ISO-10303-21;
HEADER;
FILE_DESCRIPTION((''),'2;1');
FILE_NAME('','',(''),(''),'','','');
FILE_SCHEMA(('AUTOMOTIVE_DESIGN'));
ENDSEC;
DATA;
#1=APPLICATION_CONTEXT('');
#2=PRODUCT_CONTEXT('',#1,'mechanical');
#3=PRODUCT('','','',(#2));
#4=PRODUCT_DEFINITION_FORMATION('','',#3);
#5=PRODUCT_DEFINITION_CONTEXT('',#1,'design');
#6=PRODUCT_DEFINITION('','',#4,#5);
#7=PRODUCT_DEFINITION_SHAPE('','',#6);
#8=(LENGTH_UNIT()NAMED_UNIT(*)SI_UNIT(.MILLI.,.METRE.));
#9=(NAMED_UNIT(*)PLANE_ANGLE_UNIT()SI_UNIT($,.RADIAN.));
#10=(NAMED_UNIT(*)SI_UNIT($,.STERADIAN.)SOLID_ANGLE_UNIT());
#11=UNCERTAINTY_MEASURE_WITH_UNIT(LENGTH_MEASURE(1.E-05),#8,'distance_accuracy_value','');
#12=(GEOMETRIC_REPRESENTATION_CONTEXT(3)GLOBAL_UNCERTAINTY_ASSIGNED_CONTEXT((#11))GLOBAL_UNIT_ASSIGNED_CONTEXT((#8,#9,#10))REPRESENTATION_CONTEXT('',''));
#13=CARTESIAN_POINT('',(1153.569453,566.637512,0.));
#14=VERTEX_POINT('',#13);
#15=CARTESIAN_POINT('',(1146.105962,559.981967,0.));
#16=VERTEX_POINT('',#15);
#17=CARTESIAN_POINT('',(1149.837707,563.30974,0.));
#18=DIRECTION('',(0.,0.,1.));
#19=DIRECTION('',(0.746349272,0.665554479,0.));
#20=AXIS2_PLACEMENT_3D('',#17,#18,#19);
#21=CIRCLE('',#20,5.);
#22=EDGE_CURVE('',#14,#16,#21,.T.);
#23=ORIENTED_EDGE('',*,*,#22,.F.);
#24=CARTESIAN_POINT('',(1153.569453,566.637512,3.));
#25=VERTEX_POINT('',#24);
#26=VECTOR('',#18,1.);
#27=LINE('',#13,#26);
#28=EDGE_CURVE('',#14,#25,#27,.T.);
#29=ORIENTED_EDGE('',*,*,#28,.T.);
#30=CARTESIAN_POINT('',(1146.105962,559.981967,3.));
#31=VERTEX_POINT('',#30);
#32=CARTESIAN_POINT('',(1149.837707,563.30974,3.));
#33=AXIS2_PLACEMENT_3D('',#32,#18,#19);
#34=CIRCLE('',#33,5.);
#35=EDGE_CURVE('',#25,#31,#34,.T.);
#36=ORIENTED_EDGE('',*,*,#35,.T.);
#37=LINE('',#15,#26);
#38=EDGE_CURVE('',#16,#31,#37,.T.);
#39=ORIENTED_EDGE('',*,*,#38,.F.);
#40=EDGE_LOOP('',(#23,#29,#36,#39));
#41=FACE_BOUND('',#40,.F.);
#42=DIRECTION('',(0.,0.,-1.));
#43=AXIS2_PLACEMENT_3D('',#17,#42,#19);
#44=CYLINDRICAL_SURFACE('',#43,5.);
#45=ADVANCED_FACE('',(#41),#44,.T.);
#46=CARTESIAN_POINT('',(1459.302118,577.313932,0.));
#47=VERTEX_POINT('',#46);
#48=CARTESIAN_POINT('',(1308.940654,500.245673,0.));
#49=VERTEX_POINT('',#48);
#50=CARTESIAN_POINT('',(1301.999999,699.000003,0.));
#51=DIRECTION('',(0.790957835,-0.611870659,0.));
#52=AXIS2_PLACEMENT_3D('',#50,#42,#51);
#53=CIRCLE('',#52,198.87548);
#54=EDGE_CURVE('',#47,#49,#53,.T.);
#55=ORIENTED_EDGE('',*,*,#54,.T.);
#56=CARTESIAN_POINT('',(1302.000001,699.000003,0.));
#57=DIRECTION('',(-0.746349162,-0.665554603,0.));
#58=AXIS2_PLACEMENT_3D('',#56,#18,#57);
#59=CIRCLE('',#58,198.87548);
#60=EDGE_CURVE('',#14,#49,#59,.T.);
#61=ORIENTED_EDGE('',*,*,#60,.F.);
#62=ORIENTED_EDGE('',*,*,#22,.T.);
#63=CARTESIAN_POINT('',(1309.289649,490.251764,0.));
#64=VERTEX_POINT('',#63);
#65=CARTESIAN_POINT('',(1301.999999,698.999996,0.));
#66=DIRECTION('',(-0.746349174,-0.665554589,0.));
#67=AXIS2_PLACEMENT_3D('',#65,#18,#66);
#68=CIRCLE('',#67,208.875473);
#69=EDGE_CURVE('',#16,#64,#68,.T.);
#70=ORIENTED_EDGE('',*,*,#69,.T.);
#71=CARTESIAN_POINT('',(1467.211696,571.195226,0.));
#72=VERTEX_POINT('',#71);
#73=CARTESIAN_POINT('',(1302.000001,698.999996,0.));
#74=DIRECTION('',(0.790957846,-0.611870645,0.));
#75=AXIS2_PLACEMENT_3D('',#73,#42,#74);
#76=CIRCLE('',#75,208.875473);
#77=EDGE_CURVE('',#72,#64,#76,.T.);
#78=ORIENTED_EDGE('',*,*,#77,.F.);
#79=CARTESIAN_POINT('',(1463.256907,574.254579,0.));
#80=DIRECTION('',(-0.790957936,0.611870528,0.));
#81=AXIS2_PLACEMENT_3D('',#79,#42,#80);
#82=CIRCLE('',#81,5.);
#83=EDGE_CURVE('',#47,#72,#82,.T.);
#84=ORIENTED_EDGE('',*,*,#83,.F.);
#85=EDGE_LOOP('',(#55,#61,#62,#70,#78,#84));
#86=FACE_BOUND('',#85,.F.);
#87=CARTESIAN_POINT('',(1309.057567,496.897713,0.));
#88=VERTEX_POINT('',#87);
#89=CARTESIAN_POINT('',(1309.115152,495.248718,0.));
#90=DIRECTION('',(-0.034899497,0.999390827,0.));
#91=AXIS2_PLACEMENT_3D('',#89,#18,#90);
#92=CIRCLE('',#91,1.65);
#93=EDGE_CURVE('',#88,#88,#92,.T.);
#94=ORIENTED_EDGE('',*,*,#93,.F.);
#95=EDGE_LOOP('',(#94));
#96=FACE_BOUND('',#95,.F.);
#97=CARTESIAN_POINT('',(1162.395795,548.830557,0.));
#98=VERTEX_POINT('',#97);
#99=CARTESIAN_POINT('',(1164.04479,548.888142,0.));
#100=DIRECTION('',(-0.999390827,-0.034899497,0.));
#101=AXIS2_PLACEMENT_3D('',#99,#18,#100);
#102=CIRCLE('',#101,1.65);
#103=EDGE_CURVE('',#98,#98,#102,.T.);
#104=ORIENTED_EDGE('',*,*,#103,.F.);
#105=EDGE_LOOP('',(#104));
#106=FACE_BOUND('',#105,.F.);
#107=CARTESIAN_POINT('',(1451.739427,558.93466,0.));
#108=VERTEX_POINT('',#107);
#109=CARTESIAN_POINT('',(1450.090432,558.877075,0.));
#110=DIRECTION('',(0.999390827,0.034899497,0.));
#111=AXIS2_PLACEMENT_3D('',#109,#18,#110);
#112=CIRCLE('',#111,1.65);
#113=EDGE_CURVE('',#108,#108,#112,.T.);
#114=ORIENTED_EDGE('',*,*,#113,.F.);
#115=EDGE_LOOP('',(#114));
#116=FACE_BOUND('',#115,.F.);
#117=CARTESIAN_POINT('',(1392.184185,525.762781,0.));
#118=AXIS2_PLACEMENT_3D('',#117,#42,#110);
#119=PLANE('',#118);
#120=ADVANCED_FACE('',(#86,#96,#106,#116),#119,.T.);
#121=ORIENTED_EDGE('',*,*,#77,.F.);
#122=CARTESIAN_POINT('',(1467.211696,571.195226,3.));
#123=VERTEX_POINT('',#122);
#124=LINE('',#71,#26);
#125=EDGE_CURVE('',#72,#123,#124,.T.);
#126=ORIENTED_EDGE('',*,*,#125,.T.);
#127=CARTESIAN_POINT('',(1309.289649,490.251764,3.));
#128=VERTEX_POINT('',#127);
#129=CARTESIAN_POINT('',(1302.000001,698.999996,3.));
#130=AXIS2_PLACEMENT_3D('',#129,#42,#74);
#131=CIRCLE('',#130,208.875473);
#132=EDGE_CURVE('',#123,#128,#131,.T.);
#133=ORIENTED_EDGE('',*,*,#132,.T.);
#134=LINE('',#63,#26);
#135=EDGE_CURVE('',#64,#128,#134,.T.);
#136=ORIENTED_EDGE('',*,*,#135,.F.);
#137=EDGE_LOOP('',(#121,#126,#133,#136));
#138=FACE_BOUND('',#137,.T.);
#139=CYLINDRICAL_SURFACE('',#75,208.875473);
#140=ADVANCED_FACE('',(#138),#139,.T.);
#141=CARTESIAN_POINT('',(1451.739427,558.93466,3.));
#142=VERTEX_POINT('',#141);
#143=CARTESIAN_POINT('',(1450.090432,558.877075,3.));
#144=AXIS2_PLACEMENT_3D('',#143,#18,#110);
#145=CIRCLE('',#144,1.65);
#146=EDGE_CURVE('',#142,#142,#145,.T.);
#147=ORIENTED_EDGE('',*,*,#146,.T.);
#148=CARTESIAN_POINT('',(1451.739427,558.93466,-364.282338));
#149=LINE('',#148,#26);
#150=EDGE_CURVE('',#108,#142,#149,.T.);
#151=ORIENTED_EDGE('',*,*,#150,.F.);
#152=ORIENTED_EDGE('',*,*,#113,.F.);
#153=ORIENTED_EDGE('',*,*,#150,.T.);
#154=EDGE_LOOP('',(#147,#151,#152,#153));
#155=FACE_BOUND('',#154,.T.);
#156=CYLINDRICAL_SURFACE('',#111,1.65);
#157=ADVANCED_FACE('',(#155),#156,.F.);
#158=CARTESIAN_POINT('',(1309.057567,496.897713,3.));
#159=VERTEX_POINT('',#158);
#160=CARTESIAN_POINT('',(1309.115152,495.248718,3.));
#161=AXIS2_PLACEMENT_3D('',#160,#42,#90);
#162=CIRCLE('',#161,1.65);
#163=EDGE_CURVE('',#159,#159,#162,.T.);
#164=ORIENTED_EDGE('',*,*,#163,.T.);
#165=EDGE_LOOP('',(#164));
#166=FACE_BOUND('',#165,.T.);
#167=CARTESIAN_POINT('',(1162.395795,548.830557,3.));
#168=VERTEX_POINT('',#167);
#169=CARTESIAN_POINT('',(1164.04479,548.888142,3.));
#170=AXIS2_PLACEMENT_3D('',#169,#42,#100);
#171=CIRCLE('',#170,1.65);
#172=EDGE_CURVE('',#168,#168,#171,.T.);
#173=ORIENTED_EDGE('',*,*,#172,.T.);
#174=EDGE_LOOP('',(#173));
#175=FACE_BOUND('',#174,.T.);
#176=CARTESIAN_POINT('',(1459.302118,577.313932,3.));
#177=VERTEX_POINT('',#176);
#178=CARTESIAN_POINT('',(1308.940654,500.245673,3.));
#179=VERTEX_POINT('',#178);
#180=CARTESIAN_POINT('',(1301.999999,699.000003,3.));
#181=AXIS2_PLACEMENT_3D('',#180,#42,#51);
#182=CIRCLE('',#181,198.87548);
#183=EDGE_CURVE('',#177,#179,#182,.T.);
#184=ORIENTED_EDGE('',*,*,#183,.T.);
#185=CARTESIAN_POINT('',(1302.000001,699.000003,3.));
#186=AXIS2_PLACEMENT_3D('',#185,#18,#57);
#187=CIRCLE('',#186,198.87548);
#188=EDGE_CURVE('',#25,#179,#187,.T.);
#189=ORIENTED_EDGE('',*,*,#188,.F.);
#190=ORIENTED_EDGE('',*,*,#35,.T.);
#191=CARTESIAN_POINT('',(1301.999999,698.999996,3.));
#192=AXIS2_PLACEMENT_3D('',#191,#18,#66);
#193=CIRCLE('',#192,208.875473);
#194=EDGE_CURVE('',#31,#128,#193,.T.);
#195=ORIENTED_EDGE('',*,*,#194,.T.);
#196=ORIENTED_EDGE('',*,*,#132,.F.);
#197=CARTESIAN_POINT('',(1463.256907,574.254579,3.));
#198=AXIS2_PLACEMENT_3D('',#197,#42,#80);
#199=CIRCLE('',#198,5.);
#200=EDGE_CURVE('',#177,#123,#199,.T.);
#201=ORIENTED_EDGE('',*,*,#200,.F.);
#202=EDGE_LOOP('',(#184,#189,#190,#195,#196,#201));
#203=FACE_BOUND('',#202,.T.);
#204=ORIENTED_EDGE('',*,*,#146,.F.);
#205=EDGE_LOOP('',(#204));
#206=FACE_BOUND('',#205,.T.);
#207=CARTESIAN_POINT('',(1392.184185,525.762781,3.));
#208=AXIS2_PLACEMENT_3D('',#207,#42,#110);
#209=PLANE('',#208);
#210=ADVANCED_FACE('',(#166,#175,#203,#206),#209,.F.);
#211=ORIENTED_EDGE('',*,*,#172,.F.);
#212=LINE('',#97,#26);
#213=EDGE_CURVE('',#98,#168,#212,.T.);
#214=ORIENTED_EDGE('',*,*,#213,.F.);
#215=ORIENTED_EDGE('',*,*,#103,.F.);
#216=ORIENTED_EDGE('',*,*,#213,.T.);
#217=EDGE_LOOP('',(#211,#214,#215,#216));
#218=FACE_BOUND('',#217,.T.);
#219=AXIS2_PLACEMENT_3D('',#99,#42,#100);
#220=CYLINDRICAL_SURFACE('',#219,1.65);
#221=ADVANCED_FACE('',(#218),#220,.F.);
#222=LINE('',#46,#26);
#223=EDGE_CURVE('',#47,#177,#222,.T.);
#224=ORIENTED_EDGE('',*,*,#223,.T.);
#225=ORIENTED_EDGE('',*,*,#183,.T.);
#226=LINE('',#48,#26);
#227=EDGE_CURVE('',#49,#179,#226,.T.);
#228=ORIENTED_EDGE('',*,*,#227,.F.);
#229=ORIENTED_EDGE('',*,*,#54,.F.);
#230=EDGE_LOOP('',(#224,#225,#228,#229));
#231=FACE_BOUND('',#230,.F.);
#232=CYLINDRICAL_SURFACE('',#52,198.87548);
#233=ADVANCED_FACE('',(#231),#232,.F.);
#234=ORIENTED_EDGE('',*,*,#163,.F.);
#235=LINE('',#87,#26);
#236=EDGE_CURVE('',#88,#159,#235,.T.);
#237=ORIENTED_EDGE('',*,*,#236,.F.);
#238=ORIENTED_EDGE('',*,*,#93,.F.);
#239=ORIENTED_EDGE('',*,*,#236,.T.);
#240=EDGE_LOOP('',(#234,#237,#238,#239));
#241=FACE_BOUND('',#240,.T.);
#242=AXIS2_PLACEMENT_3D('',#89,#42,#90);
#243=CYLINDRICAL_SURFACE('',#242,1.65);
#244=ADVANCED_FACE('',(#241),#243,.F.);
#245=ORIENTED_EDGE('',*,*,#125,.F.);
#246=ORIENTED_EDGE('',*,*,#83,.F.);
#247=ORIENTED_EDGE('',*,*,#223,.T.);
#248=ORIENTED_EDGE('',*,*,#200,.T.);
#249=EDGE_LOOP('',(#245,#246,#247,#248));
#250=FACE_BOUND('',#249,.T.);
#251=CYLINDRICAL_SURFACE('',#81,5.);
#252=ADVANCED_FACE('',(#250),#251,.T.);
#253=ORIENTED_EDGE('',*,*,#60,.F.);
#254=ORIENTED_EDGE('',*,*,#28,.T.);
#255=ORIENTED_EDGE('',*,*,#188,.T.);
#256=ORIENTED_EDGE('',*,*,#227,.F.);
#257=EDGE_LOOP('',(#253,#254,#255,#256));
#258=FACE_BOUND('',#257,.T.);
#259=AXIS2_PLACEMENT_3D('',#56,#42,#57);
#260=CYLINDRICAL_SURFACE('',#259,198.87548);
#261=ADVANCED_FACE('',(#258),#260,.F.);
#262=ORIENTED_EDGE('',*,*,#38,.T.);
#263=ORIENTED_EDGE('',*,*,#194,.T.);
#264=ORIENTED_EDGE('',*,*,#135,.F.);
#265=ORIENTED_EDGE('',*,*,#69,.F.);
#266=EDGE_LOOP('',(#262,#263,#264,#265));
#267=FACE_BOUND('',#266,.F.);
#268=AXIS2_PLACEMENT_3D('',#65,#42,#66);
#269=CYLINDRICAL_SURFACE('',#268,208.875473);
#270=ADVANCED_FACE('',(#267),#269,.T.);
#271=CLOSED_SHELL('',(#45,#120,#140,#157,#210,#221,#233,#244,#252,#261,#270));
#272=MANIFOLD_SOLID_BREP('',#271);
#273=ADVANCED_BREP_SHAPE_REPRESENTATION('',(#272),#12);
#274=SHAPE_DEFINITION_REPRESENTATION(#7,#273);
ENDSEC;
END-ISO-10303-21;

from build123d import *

# Parameters (mm, degrees)
PAD014_DEPTH                        = 3
SKETCH055_R                         = 1.65
POCKET019_DEPTH                     = 364.282338
POCKET019_DEPTH_BACK                = 367.282338
BODY001003005003003_PLACEMENT_ANGLE = 60
CLONE003_PLACEMENT_ANGLE            = 122


with BuildPart() as part:
    # Sketch052 → Pad014 (new body)
    with BuildSketch(Plane.XY):
        with BuildLine():
            ThreePointArc((152.959511, 127.101705), (84.480895, 180.040089), (0, 198.875477))
            Line((0, 198.875477), (0, 208.875477))
            ThreePointArc((160.650731, 133.492724), (88.728824, 189.092995), (0, 208.875477))
            ThreePointArc((152.959511, 127.101705), (160.000631, 126.451604), (160.650731, 133.492724))
        make_face()
    pad014 = extrude(amount=PAD014_DEPTH)

    # Sketch055 → Pocket019 (cut, two sides)
    with BuildSketch(Plane.XY) as pocket019_sk:
        with Locations((143.11, 145.205847)):
            Circle(SKETCH055_R)
        with BuildLine():
            Line((0, 202.225477), (0, 205.525477))
            ThreePointArc((0, 202.225477), (1.65, 203.875477), (0, 205.525477))
        make_face()
    pocket019 = extrude(amount=-POCKET019_DEPTH, mode=Mode.SUBTRACT) + extrude(pocket019_sk.sketch, amount=POCKET019_DEPTH_BACK, mode=Mode.SUBTRACT)

    # Mirrored019: Pad014, Pocket019 across Sketch052 V_Axis
    add(pad014.mirror(Plane(origin=(0, 0, 0), x_dir=(0, 0, 1), z_dir=(1, 0, 0))))
    add(pocket019.mirror(Plane(origin=(0, 0, 0), x_dir=(0, 0, 1), z_dir=(1, 0, 0))), mode=Mode.SUBTRACT)


with BuildPart() as part_1:
    # Body001003005003003 placement: moved
    add(part.part.rotate(Axis((0, 0, 0), (0, 0, 1)), BODY001003005003003_PLACEMENT_ANGLE))


with BuildPart() as part_2:
    # Clone003 placement: moved
    add(part_1.part.moved(Location((1302, 699, 0))).rotate(Axis((1302, 699, 0), (0, 0, 1)), CLONE003_PLACEMENT_ANGLE))


solid = part_2.part
